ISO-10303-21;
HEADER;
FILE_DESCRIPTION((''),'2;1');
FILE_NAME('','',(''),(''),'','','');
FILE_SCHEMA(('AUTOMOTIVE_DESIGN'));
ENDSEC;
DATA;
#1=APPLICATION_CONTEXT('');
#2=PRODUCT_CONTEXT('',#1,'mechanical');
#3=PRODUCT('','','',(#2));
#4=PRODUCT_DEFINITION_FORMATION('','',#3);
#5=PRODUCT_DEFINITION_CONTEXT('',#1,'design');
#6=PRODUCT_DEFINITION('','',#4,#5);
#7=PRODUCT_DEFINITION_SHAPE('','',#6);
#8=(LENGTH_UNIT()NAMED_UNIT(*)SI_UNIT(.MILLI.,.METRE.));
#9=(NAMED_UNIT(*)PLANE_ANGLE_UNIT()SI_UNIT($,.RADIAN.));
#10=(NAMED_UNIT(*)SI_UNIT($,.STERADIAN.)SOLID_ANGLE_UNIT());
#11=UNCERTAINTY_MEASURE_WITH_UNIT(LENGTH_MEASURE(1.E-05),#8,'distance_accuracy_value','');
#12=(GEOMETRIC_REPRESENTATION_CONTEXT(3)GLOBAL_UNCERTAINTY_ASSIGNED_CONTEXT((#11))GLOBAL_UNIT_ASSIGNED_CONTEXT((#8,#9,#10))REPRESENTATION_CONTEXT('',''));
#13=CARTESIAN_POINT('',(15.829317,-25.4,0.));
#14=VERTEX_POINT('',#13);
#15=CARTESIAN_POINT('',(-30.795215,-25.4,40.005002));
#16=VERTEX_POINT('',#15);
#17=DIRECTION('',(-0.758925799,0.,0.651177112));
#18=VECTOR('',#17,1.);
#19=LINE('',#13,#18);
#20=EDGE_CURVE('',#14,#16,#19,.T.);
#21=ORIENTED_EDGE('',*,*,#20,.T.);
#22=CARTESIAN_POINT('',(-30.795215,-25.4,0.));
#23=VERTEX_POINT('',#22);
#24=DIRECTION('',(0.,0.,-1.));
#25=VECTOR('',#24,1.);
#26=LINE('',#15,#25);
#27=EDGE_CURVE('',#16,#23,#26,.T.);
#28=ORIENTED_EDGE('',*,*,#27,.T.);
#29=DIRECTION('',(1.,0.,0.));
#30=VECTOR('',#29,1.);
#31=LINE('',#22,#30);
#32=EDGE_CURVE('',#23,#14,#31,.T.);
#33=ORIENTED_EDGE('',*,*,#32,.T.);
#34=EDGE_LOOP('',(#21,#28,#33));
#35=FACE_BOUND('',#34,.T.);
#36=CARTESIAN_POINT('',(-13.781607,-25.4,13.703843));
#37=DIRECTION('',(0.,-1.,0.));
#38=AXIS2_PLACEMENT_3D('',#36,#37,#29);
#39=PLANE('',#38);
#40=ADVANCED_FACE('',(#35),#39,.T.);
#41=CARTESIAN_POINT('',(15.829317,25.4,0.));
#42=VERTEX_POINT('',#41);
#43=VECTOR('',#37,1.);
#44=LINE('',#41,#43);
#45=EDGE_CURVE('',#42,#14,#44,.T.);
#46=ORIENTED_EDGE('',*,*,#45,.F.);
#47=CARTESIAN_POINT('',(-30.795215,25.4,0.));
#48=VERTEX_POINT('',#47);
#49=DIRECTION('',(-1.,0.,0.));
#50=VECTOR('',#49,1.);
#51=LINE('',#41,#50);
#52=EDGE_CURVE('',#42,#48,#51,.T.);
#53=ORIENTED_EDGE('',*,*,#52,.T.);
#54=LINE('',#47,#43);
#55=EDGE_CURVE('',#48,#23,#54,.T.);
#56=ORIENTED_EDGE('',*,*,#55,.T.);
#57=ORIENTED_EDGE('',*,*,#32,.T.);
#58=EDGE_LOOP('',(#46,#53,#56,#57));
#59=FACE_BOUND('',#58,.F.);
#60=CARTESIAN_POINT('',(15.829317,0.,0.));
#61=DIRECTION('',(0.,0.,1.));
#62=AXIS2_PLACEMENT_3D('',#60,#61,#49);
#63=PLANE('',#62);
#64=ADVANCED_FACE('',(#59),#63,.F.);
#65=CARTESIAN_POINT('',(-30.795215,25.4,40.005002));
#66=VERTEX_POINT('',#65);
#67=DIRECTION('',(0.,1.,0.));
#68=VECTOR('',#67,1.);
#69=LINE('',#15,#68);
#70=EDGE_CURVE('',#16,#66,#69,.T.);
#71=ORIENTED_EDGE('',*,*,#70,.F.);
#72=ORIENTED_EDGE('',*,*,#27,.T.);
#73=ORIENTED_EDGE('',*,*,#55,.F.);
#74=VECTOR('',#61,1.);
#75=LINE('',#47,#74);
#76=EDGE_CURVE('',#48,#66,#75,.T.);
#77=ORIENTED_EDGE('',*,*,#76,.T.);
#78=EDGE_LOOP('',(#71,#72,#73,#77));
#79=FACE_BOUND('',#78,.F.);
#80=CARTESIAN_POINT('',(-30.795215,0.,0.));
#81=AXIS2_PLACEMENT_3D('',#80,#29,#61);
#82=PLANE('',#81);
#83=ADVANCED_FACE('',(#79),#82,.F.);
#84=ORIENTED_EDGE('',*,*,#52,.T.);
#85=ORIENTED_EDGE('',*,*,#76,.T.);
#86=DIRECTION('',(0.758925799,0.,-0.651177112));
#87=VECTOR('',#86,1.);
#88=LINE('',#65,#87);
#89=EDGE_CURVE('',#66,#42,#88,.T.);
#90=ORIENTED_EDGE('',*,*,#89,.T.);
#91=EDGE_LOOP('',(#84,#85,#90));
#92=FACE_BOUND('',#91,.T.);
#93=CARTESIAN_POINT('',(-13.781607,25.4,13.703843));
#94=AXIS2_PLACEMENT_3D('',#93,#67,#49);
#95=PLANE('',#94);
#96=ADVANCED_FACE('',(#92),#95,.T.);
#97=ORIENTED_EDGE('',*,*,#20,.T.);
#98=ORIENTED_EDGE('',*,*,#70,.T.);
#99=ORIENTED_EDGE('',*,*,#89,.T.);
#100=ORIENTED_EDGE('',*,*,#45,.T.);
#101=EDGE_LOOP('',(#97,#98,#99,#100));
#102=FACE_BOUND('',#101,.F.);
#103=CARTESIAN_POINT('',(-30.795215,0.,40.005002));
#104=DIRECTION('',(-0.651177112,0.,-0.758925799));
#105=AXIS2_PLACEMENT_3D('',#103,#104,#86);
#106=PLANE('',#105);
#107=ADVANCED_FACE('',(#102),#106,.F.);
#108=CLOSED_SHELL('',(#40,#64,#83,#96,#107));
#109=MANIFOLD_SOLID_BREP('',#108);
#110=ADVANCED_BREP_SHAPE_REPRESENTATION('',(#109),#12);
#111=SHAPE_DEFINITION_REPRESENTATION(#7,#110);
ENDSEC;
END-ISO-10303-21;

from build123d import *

# Parameters (mm, degrees)
F1_DEPTH = 25.4
F3_DEPTH = 25.4


with BuildPart() as f1:
    # F0 (on Front) → F1 (new body)
    with BuildSketch(Plane.XZ):
        Polygon((15.829317, 0), (-30.795215, 40.005002), (-30.795215, 0), align=None)
    extrude(amount=F1_DEPTH)

    # F2 (on face) → F3 (join)
    with BuildSketch(Plane(origin=(0, 0, 0), x_dir=(-1, 0, 0), z_dir=(0, 1, 0))):
        Polygon((30.795215, 0), (30.795215, 40.005002), (-15.829317, 0), align=None)
    extrude(amount=F3_DEPTH)


solid = f1.part
